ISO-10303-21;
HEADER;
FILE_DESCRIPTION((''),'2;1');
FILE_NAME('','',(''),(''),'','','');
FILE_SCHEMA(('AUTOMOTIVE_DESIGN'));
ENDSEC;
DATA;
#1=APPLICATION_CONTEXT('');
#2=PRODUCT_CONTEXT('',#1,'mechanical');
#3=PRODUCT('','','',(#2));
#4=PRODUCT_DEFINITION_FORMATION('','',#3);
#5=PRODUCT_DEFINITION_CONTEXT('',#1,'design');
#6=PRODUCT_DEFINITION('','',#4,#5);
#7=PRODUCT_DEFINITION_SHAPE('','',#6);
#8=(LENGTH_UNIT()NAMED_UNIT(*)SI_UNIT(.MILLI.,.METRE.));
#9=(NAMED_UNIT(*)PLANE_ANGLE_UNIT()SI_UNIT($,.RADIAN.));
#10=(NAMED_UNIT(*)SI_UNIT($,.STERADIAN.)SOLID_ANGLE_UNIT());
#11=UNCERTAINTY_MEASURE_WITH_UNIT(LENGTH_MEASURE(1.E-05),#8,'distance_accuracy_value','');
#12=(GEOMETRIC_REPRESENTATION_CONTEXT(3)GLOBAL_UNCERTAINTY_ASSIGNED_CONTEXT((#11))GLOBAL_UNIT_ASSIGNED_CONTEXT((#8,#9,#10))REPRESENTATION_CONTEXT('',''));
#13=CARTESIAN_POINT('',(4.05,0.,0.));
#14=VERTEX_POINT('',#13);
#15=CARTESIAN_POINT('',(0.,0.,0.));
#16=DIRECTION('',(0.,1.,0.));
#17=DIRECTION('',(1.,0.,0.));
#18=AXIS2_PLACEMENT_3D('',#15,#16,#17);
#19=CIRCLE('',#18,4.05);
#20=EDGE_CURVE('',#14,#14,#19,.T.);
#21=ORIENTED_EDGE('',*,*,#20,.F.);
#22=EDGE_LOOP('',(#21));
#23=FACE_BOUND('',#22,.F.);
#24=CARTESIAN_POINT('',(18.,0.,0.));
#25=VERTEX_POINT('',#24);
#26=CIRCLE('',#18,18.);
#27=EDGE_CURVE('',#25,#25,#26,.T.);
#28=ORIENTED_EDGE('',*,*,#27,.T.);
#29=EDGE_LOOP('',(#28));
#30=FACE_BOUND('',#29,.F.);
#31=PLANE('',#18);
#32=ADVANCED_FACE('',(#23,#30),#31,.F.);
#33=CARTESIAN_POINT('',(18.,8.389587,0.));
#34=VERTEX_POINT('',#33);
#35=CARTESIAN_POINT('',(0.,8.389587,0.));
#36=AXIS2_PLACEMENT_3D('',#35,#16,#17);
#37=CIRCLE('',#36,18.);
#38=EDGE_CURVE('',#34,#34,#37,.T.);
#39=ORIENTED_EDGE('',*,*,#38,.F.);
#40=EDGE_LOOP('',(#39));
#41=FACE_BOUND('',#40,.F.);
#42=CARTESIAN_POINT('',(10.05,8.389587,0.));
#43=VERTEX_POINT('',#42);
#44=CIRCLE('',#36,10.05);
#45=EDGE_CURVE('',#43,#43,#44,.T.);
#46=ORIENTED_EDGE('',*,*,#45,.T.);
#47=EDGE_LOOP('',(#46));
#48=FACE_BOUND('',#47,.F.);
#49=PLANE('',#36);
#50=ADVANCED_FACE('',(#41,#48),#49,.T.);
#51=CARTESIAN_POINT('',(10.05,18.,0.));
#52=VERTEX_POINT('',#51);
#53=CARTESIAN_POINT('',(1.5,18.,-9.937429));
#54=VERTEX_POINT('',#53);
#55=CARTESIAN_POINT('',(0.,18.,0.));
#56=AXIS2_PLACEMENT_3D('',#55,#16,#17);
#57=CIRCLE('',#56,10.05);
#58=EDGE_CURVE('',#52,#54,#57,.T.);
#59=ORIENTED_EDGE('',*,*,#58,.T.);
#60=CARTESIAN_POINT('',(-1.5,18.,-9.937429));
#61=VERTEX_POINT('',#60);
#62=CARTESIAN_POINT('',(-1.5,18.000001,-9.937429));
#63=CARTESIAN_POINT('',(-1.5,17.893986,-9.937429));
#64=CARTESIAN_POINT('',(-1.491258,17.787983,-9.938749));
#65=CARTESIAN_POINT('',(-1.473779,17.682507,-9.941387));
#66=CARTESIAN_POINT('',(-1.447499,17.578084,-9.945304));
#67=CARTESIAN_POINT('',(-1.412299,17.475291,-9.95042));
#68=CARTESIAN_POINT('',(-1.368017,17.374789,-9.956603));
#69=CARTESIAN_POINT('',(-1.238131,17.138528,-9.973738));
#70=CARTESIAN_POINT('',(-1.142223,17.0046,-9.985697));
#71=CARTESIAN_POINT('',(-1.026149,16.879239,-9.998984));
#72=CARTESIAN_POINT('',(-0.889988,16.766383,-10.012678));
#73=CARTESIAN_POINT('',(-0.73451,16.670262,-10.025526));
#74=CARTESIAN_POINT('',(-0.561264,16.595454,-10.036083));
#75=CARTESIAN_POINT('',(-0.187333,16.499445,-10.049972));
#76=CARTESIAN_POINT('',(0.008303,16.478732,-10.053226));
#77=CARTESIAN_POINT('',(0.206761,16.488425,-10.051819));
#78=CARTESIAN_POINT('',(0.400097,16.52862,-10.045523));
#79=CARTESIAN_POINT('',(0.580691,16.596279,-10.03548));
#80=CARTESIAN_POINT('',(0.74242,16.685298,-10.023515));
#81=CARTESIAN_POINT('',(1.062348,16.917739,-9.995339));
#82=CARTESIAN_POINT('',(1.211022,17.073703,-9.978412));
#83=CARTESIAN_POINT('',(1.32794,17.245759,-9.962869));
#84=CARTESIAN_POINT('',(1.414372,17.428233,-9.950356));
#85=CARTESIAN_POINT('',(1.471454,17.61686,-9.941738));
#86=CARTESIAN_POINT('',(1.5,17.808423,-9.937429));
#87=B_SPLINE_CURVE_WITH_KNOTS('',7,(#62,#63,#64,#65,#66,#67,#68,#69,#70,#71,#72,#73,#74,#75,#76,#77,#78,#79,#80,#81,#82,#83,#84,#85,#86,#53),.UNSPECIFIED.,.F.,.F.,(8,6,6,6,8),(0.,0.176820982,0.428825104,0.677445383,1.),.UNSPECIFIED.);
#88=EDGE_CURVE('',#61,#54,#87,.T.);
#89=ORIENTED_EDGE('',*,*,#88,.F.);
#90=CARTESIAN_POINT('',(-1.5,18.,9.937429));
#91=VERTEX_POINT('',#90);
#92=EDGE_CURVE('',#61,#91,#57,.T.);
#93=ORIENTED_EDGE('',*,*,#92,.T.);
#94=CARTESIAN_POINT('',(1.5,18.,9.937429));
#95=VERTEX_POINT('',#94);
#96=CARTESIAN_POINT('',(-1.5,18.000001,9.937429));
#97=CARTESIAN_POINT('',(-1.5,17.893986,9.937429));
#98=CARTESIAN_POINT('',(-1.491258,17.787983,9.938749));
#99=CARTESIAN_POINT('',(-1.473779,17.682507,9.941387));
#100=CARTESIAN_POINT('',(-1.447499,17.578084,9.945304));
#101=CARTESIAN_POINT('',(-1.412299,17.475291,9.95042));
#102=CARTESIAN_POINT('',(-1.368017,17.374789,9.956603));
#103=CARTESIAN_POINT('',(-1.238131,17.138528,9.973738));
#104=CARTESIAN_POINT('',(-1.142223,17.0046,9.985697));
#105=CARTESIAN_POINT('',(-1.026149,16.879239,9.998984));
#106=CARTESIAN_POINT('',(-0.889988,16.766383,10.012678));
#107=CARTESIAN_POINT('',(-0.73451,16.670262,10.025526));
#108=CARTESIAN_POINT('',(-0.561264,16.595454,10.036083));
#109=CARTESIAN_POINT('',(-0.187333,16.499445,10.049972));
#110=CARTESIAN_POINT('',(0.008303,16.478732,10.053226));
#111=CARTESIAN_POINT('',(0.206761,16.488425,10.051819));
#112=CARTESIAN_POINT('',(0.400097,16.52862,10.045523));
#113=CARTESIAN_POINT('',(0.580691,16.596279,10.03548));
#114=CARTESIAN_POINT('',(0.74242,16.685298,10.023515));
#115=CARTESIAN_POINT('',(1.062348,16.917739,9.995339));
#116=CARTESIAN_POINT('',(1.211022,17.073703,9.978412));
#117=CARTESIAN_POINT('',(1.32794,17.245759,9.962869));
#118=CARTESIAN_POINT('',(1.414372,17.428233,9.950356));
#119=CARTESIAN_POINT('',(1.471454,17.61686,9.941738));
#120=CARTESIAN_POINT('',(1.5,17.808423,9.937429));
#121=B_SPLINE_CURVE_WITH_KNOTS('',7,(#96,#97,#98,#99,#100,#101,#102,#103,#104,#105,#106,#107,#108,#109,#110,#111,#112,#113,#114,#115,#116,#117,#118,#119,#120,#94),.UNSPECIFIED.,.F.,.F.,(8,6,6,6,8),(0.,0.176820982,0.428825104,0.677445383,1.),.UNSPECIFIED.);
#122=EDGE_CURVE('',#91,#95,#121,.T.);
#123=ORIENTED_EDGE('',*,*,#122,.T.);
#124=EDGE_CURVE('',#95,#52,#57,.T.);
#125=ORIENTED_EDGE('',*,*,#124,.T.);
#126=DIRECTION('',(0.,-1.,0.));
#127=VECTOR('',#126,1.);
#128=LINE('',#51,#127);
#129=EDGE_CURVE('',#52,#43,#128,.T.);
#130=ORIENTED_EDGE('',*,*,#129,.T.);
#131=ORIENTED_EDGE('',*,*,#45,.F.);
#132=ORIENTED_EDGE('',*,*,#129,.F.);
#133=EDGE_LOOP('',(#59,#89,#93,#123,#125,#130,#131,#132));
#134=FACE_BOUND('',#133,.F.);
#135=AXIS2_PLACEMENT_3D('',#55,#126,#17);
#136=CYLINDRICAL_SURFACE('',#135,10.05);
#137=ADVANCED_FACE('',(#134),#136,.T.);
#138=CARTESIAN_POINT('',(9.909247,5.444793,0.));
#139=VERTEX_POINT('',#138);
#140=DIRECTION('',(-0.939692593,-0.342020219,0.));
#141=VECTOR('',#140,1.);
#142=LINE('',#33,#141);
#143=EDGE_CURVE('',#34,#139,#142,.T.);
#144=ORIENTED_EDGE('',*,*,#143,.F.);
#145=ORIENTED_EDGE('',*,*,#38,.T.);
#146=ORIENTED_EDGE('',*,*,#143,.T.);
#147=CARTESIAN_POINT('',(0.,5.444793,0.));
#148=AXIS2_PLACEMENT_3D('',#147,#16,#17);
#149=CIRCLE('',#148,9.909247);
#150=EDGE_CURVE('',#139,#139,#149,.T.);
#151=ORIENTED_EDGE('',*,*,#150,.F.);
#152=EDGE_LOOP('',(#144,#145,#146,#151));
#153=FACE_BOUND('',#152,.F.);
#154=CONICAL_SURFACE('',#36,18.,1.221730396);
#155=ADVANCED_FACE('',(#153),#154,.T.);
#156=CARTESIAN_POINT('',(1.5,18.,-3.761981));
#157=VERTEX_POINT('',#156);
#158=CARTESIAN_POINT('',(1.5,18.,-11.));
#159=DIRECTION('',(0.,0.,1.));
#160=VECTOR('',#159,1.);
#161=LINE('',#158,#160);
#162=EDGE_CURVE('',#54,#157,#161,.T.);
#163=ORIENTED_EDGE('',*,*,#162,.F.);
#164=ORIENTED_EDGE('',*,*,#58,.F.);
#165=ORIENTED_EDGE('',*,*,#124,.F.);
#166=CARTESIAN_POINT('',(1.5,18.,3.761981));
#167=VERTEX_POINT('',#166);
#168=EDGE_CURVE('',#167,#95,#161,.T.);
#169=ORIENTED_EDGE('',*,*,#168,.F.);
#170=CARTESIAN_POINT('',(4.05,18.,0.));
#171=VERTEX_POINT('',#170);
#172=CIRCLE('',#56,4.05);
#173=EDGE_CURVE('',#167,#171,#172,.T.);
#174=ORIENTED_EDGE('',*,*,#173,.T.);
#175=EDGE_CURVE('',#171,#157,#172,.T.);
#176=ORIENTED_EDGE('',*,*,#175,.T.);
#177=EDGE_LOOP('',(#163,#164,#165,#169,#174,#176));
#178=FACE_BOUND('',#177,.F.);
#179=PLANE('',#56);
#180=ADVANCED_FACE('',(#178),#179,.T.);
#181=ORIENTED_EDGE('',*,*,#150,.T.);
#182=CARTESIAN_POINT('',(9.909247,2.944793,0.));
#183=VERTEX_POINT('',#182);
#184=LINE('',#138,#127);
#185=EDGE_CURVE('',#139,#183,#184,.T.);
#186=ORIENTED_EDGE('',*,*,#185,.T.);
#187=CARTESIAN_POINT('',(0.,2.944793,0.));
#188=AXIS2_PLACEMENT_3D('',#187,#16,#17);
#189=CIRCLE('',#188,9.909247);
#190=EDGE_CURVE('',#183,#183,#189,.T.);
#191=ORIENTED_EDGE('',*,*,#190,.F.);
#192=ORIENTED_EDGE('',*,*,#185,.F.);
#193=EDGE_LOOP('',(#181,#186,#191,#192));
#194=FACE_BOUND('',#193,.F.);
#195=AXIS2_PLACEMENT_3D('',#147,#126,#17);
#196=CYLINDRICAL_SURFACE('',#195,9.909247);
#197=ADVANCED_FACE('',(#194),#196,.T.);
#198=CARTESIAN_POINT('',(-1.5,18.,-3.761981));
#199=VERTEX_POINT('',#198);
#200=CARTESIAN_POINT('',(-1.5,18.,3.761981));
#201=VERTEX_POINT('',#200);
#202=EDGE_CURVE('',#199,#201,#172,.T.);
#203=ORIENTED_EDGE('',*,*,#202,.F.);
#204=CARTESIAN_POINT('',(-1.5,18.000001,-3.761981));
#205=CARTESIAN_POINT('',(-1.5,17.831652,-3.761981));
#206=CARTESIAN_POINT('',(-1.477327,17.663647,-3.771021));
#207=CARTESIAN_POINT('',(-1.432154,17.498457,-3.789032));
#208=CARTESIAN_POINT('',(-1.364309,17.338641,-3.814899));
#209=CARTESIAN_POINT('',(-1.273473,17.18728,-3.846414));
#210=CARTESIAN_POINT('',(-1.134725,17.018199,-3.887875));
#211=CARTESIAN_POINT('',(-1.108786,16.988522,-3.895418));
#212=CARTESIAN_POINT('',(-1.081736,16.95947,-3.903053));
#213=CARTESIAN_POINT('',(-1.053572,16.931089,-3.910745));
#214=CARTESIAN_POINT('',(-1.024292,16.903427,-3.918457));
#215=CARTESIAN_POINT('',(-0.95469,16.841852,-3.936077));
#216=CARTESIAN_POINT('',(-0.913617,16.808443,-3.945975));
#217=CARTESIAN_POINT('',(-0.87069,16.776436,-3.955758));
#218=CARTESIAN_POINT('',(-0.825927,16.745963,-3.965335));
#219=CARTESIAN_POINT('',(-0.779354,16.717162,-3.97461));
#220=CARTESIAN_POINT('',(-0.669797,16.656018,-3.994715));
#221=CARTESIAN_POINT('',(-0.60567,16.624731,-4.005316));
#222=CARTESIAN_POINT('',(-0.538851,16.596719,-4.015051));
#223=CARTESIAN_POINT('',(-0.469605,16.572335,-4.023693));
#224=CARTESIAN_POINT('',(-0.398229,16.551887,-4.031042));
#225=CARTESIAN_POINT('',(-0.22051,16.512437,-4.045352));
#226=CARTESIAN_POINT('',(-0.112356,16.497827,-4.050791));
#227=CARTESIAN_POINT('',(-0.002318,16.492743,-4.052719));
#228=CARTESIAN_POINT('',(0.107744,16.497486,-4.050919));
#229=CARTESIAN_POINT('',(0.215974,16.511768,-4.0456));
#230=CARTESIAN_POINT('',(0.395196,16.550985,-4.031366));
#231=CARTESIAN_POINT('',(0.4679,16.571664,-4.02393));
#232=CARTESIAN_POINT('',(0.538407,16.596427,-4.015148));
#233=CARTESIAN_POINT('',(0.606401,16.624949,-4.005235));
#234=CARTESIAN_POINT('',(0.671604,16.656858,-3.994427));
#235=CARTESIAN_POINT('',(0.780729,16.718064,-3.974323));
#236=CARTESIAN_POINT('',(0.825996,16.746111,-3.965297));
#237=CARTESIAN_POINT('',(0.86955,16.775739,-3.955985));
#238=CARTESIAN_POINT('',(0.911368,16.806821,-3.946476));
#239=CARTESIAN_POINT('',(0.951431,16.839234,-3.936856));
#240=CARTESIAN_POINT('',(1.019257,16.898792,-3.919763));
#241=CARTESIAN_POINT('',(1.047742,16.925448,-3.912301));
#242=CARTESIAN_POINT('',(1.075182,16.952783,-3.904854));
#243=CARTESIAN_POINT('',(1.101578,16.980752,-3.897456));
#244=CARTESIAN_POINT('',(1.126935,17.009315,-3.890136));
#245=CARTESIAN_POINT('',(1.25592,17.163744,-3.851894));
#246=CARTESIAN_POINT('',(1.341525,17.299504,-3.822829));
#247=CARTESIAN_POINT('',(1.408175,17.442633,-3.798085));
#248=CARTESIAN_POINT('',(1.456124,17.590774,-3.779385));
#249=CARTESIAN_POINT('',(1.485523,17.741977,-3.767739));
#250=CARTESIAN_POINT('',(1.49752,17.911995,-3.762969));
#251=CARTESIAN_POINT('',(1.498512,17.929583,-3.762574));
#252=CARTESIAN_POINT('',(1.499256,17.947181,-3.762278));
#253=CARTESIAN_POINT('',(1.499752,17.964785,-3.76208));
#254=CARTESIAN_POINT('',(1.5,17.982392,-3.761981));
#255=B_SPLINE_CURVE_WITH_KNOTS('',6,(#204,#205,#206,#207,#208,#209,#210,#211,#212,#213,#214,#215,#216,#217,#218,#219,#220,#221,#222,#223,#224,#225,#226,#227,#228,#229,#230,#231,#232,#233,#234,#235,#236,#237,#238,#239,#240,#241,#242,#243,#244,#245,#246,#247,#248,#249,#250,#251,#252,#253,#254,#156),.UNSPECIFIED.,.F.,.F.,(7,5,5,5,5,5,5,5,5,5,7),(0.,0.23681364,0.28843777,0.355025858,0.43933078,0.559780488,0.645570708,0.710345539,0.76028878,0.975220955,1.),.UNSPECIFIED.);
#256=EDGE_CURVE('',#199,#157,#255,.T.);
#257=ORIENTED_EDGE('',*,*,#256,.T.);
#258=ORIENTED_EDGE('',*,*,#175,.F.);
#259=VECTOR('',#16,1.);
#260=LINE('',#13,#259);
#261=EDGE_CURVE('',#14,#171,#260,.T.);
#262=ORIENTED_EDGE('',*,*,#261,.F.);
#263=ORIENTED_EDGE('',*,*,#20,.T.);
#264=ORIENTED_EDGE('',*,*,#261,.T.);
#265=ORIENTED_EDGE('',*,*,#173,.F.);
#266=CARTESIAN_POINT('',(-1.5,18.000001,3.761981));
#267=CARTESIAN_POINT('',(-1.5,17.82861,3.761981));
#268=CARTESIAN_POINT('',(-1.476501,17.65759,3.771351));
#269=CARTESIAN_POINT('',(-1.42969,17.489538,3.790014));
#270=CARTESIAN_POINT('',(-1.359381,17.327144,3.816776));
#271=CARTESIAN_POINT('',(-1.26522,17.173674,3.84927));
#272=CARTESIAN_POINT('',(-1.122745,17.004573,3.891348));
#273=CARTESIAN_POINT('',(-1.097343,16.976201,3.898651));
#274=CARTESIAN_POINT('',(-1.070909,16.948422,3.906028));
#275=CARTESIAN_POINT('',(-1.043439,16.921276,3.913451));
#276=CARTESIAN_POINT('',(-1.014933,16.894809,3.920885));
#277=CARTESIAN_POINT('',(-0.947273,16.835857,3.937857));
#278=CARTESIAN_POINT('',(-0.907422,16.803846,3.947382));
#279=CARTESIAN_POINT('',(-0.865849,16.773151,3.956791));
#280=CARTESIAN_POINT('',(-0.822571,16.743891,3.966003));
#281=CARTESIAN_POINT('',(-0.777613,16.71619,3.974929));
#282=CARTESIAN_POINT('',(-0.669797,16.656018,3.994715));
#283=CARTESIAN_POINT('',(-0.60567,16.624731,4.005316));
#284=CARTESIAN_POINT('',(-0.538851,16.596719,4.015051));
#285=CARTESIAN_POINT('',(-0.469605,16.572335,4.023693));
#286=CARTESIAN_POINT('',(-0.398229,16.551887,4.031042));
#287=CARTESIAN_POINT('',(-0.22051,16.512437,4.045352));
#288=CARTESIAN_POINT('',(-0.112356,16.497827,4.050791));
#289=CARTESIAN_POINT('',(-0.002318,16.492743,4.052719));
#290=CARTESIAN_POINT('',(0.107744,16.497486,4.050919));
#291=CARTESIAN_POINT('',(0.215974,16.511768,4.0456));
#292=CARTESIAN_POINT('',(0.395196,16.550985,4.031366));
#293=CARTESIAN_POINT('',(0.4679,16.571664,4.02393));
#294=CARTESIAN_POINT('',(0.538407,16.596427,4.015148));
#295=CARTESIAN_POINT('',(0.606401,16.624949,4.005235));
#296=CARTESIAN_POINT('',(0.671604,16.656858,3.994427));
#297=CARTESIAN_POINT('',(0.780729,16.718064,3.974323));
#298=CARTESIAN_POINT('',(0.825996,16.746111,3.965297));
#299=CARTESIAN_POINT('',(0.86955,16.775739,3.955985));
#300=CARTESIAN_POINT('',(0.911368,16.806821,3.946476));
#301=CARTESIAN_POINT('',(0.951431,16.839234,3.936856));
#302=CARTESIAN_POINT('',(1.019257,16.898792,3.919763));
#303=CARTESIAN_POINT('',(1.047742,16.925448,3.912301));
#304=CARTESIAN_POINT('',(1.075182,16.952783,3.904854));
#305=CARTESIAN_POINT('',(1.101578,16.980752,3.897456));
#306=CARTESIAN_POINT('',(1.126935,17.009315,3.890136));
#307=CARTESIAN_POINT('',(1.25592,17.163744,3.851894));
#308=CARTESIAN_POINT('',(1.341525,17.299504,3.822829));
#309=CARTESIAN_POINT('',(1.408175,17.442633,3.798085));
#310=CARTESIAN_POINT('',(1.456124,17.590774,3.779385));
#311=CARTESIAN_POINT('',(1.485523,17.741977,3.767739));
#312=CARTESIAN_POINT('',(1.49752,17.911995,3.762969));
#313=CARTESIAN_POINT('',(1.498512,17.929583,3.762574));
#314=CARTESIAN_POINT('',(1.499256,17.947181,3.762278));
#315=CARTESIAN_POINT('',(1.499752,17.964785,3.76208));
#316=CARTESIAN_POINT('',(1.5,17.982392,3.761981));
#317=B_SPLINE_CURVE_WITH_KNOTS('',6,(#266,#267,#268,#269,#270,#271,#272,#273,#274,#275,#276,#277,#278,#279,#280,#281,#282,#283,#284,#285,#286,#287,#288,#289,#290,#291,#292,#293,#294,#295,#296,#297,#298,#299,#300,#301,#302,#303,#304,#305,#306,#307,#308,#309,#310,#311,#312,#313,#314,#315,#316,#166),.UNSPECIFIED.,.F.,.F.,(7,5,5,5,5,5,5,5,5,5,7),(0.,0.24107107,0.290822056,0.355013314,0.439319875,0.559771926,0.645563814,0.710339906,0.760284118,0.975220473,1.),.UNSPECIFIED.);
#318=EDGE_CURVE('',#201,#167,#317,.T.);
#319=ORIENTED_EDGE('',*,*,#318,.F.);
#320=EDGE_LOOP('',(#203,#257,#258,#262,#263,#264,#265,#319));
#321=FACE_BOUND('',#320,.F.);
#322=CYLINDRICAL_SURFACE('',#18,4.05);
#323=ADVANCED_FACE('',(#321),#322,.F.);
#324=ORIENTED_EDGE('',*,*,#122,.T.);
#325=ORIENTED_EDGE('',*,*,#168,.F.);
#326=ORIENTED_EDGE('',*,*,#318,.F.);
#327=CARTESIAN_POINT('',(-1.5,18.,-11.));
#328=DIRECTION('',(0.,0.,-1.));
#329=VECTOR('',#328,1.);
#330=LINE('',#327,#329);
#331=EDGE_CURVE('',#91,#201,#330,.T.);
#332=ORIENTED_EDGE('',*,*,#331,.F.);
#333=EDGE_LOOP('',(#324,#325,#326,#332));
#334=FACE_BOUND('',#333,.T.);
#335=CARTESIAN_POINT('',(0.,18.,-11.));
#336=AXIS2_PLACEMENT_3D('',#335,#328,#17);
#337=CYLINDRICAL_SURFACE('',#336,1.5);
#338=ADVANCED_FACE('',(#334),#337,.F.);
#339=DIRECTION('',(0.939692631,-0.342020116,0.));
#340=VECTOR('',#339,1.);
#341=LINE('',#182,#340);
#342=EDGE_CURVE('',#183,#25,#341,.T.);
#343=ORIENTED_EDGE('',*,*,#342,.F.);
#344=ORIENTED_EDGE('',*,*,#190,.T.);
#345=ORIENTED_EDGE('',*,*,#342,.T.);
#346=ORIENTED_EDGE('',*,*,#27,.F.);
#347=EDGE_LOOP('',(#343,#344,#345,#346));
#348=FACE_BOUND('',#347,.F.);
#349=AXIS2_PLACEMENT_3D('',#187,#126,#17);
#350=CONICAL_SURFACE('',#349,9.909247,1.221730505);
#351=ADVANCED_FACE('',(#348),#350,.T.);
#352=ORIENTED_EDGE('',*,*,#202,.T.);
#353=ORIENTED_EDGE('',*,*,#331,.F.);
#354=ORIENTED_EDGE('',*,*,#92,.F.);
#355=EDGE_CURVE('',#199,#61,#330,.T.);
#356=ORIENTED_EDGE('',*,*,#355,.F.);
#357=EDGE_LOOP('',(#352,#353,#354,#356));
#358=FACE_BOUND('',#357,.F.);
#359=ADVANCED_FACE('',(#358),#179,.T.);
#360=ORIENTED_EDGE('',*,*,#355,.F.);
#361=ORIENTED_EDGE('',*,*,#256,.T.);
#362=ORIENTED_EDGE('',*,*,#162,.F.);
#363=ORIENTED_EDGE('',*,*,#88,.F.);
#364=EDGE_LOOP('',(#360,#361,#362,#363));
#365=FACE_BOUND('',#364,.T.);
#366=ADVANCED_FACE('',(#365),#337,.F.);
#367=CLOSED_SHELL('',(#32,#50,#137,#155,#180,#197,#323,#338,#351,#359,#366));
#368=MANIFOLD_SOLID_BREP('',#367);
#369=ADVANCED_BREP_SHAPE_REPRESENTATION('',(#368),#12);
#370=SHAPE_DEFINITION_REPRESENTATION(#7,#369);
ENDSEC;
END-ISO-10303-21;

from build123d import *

# Parameters (mm, degrees)
CYLINDER_R     = 1.5
CYLINDER_DEPTH = 22


with BuildPart() as cylinder:
    # Cylinder → Cylinder (new body)
    with BuildSketch(Plane(origin=(0, 18, -11), x_dir=(1, 0, 0), z_dir=(0, 0, 1))):
        Circle(CYLINDER_R)
    extrude(amount=CYLINDER_DEPTH)


with BuildPart() as cut:
    # Sketch → Revolve (revolve)
    with BuildSketch(Plane.XY):
        Polygon((4.05, 0), (4.05, 18), (10.05, 18), (10.05, 8.389587), (18, 8.389587), (9.909247, 5.444793), (9.909247, 2.944793), (18, 0), align=None)
    revolve(axis=Axis((0, 0, 0), (0, 1, 0)))

    # Cut: cut Cylinder
    add(cylinder.part, mode=Mode.SUBTRACT)


solid = cut.part
